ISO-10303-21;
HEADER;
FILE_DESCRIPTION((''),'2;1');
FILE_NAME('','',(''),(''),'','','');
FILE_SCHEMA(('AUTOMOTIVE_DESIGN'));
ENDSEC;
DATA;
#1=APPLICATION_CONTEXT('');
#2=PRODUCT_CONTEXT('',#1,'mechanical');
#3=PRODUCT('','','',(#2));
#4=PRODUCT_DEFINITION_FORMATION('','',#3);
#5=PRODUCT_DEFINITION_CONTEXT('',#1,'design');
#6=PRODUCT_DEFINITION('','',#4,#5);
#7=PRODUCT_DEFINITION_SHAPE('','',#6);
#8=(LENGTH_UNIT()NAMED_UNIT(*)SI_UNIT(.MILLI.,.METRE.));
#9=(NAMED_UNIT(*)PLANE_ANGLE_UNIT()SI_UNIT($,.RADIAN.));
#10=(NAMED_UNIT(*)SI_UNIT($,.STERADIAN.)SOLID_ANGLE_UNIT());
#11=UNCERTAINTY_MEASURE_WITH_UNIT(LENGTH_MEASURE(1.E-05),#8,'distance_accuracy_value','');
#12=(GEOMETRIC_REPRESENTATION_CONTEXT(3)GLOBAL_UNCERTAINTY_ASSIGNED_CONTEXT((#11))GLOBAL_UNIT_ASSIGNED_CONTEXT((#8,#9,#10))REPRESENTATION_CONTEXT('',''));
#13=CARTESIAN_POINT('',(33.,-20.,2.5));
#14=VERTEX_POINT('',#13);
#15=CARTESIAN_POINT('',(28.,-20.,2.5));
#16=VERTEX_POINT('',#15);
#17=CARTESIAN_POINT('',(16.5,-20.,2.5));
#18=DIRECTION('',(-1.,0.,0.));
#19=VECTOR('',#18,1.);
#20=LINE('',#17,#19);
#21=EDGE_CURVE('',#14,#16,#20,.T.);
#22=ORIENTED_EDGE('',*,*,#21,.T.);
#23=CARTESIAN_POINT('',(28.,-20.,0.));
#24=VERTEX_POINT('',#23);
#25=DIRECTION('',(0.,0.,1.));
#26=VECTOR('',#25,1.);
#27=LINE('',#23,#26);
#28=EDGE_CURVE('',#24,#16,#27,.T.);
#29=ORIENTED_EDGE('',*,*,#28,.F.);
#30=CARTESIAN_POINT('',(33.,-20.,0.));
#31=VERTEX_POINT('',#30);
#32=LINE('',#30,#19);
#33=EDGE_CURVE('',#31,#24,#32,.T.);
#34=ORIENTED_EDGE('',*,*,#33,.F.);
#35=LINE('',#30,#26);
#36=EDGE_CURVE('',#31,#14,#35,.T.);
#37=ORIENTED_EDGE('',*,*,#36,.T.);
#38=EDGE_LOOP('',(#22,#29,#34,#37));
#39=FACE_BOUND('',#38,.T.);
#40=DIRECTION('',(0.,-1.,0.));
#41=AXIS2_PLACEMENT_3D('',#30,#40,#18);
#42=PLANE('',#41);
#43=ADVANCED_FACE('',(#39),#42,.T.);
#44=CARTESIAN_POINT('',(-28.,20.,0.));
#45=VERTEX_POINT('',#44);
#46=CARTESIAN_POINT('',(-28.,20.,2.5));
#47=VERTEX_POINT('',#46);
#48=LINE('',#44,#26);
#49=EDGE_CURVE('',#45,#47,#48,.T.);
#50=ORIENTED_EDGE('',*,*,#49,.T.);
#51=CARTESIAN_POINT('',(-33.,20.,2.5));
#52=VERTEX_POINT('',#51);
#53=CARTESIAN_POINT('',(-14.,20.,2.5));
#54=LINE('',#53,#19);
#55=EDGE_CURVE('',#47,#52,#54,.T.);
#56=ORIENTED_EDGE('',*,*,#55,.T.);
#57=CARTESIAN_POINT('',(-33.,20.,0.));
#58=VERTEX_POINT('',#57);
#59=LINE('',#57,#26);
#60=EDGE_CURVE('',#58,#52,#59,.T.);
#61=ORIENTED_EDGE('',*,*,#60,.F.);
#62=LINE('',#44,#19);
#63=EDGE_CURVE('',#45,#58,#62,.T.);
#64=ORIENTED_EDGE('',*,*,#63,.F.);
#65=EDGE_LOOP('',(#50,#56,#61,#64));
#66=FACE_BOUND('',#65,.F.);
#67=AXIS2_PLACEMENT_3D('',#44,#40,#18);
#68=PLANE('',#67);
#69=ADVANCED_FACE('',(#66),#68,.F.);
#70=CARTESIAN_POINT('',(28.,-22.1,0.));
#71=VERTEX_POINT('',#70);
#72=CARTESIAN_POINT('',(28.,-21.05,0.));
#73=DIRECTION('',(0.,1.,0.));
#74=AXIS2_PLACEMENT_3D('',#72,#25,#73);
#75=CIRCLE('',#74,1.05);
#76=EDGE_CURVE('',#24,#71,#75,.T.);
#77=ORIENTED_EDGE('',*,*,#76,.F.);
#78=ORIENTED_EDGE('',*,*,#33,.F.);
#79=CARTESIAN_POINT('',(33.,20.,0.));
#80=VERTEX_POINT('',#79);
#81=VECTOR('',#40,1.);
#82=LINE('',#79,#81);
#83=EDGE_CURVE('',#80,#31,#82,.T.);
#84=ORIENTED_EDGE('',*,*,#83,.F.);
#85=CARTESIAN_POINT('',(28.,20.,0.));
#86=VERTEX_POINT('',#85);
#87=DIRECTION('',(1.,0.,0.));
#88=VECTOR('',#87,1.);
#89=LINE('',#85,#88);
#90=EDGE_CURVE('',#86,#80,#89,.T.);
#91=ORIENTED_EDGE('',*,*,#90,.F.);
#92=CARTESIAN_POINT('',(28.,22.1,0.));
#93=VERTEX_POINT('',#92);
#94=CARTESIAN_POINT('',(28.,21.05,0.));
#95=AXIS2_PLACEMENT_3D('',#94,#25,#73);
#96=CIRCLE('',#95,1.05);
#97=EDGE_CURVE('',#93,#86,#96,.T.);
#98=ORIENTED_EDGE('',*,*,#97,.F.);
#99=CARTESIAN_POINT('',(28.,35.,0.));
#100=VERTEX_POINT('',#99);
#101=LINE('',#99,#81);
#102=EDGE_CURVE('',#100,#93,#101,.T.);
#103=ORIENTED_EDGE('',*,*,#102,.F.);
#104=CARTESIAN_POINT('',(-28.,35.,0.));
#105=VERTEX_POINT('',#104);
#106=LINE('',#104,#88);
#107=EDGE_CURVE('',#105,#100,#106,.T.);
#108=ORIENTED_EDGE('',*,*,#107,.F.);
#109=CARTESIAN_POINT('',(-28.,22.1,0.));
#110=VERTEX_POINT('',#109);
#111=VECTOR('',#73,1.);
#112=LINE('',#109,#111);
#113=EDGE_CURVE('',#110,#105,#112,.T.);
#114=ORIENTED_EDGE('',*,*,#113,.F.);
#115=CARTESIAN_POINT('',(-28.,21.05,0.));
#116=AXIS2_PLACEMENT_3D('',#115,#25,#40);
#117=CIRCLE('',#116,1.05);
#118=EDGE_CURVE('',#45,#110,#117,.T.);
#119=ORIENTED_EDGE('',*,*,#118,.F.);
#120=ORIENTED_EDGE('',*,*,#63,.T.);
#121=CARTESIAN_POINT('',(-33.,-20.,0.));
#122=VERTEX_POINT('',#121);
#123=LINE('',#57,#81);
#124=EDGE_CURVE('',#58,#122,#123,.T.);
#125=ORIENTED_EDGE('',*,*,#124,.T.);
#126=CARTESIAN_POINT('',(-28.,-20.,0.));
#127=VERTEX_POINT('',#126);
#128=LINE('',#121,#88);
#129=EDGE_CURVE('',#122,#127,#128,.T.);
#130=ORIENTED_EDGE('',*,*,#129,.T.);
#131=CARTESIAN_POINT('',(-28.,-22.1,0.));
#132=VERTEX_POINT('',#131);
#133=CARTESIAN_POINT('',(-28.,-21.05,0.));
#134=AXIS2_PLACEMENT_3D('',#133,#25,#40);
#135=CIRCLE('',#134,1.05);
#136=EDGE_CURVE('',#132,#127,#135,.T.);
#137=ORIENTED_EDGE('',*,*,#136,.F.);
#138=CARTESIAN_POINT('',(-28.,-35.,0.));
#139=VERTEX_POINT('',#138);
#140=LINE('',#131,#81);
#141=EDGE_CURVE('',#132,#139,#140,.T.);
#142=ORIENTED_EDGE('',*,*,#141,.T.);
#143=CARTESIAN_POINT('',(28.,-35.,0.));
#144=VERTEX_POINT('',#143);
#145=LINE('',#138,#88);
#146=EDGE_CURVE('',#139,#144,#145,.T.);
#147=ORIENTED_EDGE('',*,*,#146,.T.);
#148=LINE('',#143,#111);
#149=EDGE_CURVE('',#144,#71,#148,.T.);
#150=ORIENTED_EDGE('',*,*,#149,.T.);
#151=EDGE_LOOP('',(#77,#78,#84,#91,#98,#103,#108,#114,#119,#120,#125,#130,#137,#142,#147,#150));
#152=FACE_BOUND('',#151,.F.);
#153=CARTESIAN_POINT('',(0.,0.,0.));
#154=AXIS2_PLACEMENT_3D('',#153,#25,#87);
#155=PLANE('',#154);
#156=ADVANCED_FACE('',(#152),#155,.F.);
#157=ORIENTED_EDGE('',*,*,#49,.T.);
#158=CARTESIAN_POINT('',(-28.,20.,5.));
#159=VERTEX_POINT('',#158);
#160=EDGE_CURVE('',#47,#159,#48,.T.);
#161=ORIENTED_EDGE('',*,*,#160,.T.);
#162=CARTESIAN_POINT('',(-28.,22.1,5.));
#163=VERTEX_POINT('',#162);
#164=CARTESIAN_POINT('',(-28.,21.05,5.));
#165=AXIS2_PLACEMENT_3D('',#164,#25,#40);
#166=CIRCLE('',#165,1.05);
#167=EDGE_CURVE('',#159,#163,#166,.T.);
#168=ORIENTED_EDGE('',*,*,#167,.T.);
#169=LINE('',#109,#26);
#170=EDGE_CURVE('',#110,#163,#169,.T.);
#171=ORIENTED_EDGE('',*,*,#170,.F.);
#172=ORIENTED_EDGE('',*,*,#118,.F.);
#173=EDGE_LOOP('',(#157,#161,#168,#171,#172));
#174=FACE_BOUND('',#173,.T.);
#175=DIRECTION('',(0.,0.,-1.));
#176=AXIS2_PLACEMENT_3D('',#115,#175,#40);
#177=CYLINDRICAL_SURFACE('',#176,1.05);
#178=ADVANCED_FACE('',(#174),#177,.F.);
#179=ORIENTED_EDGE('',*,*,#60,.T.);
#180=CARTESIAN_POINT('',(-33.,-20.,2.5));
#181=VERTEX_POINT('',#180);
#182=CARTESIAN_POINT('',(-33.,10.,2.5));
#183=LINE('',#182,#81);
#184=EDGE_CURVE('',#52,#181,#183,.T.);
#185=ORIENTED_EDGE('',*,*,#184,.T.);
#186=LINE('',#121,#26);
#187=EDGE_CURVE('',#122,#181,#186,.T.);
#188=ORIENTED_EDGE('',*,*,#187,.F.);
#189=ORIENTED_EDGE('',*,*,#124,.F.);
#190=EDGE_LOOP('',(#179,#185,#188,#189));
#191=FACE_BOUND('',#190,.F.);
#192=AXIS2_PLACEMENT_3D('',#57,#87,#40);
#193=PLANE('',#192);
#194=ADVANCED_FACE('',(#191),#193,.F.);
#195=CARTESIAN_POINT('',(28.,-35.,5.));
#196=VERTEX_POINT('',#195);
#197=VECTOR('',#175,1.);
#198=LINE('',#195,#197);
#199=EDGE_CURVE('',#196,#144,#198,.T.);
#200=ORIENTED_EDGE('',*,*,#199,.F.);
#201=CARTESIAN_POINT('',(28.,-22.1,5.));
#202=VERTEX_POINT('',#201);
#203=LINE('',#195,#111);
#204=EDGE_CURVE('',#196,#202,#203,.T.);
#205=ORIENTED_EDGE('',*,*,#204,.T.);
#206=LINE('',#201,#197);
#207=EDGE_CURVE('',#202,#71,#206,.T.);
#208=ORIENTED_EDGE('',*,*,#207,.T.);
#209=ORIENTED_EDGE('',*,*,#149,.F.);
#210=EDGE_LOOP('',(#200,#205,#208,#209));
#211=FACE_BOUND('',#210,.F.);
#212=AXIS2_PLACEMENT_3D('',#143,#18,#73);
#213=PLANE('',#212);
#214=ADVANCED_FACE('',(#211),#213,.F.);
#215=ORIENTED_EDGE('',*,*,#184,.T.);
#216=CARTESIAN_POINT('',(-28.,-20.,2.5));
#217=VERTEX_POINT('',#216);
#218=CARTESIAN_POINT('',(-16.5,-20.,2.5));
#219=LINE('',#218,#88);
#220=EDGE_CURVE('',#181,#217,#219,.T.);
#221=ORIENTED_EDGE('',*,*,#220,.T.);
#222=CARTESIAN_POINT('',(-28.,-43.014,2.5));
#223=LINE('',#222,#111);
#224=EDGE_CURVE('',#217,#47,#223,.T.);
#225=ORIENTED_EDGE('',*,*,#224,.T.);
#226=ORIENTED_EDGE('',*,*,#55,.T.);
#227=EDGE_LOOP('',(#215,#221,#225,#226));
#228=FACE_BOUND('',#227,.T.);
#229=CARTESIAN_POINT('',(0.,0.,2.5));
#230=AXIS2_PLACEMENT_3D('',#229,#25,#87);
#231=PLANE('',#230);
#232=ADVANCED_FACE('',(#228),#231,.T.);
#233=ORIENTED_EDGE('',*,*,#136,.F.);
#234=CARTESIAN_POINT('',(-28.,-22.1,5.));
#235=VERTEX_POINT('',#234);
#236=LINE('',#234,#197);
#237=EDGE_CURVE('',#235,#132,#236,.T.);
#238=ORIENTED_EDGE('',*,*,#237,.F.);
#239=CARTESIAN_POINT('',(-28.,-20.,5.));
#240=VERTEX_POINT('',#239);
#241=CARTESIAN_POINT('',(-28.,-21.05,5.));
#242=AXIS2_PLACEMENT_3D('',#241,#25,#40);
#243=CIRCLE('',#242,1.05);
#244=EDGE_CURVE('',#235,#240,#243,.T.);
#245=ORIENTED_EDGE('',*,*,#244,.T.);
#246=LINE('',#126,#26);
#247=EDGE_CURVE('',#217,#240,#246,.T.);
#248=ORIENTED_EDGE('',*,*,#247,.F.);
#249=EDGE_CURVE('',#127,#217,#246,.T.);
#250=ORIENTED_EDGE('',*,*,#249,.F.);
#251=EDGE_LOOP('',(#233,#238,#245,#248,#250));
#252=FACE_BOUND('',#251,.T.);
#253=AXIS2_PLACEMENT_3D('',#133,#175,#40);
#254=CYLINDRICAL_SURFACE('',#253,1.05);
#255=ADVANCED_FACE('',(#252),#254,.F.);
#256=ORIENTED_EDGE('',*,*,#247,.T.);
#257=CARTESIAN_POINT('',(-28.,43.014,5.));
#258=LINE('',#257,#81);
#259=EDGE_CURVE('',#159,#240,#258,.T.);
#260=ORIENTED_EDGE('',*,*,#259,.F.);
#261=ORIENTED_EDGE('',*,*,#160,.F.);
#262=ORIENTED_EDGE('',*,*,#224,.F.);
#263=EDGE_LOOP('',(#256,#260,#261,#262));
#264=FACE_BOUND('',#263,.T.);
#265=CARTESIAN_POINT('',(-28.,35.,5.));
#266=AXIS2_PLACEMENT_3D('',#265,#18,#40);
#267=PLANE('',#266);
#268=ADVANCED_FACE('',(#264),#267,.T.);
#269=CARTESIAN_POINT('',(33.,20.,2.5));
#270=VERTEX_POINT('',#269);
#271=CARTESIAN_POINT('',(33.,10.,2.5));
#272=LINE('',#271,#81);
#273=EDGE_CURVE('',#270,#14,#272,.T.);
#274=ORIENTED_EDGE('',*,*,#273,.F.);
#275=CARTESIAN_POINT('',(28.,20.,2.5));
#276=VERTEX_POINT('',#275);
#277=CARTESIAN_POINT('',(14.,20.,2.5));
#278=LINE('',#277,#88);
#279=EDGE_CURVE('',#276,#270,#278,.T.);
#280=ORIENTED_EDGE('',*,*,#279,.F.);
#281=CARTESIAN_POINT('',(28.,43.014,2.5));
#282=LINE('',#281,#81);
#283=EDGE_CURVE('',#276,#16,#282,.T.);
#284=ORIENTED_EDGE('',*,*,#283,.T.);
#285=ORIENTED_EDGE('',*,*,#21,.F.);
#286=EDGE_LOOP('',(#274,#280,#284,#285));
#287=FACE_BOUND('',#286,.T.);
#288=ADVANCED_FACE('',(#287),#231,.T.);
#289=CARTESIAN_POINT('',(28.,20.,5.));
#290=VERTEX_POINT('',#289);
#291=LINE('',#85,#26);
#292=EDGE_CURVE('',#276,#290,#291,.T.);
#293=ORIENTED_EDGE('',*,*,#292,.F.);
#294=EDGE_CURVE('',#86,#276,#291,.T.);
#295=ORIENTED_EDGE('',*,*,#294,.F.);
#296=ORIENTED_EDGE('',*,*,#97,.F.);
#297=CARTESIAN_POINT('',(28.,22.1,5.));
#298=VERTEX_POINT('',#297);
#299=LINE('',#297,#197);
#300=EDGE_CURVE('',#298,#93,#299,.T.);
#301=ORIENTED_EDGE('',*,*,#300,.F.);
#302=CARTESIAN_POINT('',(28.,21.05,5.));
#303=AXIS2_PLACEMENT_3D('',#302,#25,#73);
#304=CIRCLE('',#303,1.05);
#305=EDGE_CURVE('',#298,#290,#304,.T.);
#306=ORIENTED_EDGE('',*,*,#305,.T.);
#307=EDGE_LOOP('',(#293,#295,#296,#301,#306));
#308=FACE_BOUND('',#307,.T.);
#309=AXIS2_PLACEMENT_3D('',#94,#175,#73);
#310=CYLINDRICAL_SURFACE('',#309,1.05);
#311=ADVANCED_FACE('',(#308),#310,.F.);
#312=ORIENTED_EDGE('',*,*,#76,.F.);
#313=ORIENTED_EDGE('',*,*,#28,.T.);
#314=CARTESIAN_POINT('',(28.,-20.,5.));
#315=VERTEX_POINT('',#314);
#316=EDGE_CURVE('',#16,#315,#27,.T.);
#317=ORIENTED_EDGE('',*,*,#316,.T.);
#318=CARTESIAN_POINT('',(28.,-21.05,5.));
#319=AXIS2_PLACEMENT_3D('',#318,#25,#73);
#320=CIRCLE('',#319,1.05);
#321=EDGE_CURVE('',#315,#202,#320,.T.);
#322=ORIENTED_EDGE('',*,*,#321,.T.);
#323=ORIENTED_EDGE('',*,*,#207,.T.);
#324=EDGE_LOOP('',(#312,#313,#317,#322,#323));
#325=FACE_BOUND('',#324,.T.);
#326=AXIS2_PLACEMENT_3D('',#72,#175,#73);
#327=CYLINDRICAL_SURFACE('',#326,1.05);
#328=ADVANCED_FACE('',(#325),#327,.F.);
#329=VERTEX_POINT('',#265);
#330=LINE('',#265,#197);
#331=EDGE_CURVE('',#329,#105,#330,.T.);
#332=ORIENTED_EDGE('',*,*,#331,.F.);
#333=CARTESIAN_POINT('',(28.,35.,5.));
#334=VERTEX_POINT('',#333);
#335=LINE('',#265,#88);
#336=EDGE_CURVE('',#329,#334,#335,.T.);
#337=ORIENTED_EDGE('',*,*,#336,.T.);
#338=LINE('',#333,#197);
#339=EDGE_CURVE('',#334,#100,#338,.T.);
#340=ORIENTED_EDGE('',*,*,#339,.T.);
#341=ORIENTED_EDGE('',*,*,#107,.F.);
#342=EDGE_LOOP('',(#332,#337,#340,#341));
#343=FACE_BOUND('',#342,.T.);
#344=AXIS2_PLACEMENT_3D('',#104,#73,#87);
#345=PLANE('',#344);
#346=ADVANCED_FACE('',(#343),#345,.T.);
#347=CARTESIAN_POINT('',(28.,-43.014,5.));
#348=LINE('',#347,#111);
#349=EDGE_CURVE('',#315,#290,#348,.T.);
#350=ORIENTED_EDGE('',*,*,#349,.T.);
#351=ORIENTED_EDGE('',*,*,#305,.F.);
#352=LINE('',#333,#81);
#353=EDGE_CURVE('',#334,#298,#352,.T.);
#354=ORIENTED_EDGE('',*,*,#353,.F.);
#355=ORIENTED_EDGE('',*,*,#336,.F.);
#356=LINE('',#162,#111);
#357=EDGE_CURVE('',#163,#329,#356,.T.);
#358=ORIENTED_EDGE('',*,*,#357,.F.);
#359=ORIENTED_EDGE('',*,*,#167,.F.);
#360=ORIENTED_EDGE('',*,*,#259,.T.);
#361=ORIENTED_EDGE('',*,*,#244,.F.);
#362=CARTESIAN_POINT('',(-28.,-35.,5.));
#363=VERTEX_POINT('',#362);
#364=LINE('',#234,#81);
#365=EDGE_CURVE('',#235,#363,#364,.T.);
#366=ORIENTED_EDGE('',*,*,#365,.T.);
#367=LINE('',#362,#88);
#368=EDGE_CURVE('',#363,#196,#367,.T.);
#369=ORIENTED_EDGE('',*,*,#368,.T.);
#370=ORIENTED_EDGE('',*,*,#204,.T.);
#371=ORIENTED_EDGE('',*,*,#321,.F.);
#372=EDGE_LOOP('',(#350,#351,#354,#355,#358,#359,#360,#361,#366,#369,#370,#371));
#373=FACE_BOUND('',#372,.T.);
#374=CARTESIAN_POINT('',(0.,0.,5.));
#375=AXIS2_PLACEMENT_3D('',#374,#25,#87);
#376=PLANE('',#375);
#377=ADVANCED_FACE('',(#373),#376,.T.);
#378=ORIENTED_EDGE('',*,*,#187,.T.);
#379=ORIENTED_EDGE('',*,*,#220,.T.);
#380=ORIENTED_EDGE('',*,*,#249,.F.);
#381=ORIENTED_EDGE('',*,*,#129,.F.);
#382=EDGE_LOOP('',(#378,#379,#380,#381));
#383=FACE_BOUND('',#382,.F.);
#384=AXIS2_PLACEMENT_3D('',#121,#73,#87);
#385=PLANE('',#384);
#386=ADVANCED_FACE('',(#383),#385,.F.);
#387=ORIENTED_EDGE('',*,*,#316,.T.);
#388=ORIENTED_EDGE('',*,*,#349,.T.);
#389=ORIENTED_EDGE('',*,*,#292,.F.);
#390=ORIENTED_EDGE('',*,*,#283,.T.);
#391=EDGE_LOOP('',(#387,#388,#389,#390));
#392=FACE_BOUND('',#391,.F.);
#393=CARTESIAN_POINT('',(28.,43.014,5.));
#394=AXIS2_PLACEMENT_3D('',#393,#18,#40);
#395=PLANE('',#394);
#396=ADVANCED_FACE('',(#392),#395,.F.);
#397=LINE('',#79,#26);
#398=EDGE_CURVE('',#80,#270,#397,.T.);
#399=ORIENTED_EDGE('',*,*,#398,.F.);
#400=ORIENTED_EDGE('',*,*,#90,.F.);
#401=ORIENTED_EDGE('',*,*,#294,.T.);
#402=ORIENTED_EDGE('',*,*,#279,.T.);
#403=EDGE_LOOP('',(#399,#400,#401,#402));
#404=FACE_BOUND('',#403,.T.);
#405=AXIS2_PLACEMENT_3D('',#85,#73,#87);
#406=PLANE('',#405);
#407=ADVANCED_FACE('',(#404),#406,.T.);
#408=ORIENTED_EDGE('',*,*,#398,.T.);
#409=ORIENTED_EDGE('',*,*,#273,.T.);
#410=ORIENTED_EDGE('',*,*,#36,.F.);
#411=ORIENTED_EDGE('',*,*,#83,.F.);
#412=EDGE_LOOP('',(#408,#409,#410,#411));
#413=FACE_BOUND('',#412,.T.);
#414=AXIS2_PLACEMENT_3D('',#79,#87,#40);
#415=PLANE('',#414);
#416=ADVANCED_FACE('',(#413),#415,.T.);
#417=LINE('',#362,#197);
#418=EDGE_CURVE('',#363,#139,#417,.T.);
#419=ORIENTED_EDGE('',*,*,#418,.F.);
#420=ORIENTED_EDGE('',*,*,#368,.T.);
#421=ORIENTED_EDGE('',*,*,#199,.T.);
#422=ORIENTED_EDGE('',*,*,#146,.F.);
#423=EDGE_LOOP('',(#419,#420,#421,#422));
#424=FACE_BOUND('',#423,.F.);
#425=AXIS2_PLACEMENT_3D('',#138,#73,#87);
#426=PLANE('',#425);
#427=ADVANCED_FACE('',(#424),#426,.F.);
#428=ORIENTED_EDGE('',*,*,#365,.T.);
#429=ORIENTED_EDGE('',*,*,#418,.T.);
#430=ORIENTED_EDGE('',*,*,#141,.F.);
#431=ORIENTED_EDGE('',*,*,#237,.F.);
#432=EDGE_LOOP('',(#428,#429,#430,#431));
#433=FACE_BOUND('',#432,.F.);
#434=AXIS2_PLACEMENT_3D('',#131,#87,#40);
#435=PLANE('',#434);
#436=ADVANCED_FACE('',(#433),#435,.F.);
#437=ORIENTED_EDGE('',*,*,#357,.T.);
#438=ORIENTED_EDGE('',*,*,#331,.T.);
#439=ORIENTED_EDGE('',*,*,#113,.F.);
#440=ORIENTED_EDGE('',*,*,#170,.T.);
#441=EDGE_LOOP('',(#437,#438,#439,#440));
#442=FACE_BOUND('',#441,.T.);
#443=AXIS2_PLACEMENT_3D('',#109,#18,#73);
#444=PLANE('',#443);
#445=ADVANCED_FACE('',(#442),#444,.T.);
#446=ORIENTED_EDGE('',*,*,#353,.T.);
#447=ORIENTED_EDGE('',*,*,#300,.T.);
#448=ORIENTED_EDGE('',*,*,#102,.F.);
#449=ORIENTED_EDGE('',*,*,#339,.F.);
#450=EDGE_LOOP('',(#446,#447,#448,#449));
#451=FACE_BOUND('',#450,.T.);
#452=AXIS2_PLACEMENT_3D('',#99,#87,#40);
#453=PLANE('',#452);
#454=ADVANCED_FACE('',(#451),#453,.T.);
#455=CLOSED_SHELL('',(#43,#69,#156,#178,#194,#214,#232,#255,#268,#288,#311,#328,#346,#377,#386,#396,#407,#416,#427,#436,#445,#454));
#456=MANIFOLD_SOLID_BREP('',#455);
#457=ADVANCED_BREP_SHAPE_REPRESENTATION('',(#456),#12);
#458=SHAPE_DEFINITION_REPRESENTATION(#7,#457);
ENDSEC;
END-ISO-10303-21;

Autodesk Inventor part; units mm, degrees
ref_plane "YZ Plane" through (0, 0, 0) normal (1, 0, 0) x (0, 1, 0)
ref_plane "XZ Plane" through (0, 0, 0) normal (0, 1, 0) x (-1, 0, 0)
ref_plane "XY Plane" through (0, 0, 0) normal (0, 0, 1) x (1, 0, 0)
sketch "スケッチ1" plane through (0, 0, 0) normal (0, 0, 1) x (1, 0, 0)
  line L0 (-28, -35) -> (28, -35) construction
  line L1 (28, -35) -> (28, 35) construction
  line L2 (28, 35) -> (-28, 35) construction
  line L3 (-28, 35) -> (-28, -35) construction
  line L4 (-28, -35) -> (28, 35) construction
  line L5 (28, -35) -> (-28, 35) construction
  line L6 (-28, 22.1) -> (-28, 35)
  line L7 (-28, 35) -> (28, 35)
  line L8 (28, 35) -> (28, 22.1)
  line L9 (-28, 20) -> (-33, 20)
  line L10 (-33, 20) -> (-33, -20)
  line L11 (-33, -20) -> (-28, -20)
  line L12 (-28, -22.1) -> (-28, -35)
  line L13 (-28, -35) -> (28, -35)
  line L14 (28, -35) -> (28, -22.1)
  line L15 (28, 20) -> (33, 20)
  line L16 (33, 20) -> (33, -20)
  line L17 (33, -20) -> (28, -20)
  arc A0 (-28, 20) -> (-28, 22.1) centre (-28, 21.05) ccw
  arc A1 (-28, -22.1) -> (-28, -20) centre (-28, -21.05) ccw
  arc A2 (28, -20) -> (28, -22.1) centre (28, -21.05) ccw
  line L18 (0, 0) -> (0, 35) construction
  line L19 (0, 0) -> (28, 0) construction
  arc A3 (28, 22.1) -> (28, 20) centre (28, 21.05) ccw
  dimension "d9" = 56
  dimension "d12" = 70
  dimension "d13" = 15
  dimension "d39" = 15
  dimension "d40" = 1.05
  dimension "d41" = 5
extrude "押し出し1" add sketch "スケッチ1" along normal blind 5
sketch "スケッチ2" plane through (0, 0, 5) normal (0, 0, 1) x (1, 0, 0)
  line L0 (-28, 35) -> (-28, 22.1) projected
  line L1 (28, 35) -> (-28, 35) projected
  line L2 (-67.7785, 43.014) -> (-28, 43.014)
  line L3 (-28, 43.014) -> (-28, -43.014)
  line L4 (-28, -43.014) -> (-67.7785, -43.014)
  line L5 (-67.7785, -43.014) -> (-67.7785, 43.014)
  line L6 (67.7785, 43.014) -> (28, 43.014)
  line L7 (28, 43.014) -> (28, -43.014)
  line L8 (28, -43.014) -> (67.7785, -43.014)
  line L9 (67.7785, -43.014) -> (67.7785, 43.014)
  line L10 (0, 0) -> (0, 35) construction
  line L11 (0, 0) -> (33, 0) construction
  line L12 (33, 20) -> (33, -20) construction
extrude "押し出し2" cut sketch "スケッチ2" against normal blind 2.5
equation "\"d12\" = d18"
equation "\"d13\" = d28"
equation "\"d39\" = d13"
equation "\"d18\" = 70"
equation "\"d28\" = 15"
properties part number "コックピット_2_サブフレーム_1" material "アセタール樹脂、黒"
